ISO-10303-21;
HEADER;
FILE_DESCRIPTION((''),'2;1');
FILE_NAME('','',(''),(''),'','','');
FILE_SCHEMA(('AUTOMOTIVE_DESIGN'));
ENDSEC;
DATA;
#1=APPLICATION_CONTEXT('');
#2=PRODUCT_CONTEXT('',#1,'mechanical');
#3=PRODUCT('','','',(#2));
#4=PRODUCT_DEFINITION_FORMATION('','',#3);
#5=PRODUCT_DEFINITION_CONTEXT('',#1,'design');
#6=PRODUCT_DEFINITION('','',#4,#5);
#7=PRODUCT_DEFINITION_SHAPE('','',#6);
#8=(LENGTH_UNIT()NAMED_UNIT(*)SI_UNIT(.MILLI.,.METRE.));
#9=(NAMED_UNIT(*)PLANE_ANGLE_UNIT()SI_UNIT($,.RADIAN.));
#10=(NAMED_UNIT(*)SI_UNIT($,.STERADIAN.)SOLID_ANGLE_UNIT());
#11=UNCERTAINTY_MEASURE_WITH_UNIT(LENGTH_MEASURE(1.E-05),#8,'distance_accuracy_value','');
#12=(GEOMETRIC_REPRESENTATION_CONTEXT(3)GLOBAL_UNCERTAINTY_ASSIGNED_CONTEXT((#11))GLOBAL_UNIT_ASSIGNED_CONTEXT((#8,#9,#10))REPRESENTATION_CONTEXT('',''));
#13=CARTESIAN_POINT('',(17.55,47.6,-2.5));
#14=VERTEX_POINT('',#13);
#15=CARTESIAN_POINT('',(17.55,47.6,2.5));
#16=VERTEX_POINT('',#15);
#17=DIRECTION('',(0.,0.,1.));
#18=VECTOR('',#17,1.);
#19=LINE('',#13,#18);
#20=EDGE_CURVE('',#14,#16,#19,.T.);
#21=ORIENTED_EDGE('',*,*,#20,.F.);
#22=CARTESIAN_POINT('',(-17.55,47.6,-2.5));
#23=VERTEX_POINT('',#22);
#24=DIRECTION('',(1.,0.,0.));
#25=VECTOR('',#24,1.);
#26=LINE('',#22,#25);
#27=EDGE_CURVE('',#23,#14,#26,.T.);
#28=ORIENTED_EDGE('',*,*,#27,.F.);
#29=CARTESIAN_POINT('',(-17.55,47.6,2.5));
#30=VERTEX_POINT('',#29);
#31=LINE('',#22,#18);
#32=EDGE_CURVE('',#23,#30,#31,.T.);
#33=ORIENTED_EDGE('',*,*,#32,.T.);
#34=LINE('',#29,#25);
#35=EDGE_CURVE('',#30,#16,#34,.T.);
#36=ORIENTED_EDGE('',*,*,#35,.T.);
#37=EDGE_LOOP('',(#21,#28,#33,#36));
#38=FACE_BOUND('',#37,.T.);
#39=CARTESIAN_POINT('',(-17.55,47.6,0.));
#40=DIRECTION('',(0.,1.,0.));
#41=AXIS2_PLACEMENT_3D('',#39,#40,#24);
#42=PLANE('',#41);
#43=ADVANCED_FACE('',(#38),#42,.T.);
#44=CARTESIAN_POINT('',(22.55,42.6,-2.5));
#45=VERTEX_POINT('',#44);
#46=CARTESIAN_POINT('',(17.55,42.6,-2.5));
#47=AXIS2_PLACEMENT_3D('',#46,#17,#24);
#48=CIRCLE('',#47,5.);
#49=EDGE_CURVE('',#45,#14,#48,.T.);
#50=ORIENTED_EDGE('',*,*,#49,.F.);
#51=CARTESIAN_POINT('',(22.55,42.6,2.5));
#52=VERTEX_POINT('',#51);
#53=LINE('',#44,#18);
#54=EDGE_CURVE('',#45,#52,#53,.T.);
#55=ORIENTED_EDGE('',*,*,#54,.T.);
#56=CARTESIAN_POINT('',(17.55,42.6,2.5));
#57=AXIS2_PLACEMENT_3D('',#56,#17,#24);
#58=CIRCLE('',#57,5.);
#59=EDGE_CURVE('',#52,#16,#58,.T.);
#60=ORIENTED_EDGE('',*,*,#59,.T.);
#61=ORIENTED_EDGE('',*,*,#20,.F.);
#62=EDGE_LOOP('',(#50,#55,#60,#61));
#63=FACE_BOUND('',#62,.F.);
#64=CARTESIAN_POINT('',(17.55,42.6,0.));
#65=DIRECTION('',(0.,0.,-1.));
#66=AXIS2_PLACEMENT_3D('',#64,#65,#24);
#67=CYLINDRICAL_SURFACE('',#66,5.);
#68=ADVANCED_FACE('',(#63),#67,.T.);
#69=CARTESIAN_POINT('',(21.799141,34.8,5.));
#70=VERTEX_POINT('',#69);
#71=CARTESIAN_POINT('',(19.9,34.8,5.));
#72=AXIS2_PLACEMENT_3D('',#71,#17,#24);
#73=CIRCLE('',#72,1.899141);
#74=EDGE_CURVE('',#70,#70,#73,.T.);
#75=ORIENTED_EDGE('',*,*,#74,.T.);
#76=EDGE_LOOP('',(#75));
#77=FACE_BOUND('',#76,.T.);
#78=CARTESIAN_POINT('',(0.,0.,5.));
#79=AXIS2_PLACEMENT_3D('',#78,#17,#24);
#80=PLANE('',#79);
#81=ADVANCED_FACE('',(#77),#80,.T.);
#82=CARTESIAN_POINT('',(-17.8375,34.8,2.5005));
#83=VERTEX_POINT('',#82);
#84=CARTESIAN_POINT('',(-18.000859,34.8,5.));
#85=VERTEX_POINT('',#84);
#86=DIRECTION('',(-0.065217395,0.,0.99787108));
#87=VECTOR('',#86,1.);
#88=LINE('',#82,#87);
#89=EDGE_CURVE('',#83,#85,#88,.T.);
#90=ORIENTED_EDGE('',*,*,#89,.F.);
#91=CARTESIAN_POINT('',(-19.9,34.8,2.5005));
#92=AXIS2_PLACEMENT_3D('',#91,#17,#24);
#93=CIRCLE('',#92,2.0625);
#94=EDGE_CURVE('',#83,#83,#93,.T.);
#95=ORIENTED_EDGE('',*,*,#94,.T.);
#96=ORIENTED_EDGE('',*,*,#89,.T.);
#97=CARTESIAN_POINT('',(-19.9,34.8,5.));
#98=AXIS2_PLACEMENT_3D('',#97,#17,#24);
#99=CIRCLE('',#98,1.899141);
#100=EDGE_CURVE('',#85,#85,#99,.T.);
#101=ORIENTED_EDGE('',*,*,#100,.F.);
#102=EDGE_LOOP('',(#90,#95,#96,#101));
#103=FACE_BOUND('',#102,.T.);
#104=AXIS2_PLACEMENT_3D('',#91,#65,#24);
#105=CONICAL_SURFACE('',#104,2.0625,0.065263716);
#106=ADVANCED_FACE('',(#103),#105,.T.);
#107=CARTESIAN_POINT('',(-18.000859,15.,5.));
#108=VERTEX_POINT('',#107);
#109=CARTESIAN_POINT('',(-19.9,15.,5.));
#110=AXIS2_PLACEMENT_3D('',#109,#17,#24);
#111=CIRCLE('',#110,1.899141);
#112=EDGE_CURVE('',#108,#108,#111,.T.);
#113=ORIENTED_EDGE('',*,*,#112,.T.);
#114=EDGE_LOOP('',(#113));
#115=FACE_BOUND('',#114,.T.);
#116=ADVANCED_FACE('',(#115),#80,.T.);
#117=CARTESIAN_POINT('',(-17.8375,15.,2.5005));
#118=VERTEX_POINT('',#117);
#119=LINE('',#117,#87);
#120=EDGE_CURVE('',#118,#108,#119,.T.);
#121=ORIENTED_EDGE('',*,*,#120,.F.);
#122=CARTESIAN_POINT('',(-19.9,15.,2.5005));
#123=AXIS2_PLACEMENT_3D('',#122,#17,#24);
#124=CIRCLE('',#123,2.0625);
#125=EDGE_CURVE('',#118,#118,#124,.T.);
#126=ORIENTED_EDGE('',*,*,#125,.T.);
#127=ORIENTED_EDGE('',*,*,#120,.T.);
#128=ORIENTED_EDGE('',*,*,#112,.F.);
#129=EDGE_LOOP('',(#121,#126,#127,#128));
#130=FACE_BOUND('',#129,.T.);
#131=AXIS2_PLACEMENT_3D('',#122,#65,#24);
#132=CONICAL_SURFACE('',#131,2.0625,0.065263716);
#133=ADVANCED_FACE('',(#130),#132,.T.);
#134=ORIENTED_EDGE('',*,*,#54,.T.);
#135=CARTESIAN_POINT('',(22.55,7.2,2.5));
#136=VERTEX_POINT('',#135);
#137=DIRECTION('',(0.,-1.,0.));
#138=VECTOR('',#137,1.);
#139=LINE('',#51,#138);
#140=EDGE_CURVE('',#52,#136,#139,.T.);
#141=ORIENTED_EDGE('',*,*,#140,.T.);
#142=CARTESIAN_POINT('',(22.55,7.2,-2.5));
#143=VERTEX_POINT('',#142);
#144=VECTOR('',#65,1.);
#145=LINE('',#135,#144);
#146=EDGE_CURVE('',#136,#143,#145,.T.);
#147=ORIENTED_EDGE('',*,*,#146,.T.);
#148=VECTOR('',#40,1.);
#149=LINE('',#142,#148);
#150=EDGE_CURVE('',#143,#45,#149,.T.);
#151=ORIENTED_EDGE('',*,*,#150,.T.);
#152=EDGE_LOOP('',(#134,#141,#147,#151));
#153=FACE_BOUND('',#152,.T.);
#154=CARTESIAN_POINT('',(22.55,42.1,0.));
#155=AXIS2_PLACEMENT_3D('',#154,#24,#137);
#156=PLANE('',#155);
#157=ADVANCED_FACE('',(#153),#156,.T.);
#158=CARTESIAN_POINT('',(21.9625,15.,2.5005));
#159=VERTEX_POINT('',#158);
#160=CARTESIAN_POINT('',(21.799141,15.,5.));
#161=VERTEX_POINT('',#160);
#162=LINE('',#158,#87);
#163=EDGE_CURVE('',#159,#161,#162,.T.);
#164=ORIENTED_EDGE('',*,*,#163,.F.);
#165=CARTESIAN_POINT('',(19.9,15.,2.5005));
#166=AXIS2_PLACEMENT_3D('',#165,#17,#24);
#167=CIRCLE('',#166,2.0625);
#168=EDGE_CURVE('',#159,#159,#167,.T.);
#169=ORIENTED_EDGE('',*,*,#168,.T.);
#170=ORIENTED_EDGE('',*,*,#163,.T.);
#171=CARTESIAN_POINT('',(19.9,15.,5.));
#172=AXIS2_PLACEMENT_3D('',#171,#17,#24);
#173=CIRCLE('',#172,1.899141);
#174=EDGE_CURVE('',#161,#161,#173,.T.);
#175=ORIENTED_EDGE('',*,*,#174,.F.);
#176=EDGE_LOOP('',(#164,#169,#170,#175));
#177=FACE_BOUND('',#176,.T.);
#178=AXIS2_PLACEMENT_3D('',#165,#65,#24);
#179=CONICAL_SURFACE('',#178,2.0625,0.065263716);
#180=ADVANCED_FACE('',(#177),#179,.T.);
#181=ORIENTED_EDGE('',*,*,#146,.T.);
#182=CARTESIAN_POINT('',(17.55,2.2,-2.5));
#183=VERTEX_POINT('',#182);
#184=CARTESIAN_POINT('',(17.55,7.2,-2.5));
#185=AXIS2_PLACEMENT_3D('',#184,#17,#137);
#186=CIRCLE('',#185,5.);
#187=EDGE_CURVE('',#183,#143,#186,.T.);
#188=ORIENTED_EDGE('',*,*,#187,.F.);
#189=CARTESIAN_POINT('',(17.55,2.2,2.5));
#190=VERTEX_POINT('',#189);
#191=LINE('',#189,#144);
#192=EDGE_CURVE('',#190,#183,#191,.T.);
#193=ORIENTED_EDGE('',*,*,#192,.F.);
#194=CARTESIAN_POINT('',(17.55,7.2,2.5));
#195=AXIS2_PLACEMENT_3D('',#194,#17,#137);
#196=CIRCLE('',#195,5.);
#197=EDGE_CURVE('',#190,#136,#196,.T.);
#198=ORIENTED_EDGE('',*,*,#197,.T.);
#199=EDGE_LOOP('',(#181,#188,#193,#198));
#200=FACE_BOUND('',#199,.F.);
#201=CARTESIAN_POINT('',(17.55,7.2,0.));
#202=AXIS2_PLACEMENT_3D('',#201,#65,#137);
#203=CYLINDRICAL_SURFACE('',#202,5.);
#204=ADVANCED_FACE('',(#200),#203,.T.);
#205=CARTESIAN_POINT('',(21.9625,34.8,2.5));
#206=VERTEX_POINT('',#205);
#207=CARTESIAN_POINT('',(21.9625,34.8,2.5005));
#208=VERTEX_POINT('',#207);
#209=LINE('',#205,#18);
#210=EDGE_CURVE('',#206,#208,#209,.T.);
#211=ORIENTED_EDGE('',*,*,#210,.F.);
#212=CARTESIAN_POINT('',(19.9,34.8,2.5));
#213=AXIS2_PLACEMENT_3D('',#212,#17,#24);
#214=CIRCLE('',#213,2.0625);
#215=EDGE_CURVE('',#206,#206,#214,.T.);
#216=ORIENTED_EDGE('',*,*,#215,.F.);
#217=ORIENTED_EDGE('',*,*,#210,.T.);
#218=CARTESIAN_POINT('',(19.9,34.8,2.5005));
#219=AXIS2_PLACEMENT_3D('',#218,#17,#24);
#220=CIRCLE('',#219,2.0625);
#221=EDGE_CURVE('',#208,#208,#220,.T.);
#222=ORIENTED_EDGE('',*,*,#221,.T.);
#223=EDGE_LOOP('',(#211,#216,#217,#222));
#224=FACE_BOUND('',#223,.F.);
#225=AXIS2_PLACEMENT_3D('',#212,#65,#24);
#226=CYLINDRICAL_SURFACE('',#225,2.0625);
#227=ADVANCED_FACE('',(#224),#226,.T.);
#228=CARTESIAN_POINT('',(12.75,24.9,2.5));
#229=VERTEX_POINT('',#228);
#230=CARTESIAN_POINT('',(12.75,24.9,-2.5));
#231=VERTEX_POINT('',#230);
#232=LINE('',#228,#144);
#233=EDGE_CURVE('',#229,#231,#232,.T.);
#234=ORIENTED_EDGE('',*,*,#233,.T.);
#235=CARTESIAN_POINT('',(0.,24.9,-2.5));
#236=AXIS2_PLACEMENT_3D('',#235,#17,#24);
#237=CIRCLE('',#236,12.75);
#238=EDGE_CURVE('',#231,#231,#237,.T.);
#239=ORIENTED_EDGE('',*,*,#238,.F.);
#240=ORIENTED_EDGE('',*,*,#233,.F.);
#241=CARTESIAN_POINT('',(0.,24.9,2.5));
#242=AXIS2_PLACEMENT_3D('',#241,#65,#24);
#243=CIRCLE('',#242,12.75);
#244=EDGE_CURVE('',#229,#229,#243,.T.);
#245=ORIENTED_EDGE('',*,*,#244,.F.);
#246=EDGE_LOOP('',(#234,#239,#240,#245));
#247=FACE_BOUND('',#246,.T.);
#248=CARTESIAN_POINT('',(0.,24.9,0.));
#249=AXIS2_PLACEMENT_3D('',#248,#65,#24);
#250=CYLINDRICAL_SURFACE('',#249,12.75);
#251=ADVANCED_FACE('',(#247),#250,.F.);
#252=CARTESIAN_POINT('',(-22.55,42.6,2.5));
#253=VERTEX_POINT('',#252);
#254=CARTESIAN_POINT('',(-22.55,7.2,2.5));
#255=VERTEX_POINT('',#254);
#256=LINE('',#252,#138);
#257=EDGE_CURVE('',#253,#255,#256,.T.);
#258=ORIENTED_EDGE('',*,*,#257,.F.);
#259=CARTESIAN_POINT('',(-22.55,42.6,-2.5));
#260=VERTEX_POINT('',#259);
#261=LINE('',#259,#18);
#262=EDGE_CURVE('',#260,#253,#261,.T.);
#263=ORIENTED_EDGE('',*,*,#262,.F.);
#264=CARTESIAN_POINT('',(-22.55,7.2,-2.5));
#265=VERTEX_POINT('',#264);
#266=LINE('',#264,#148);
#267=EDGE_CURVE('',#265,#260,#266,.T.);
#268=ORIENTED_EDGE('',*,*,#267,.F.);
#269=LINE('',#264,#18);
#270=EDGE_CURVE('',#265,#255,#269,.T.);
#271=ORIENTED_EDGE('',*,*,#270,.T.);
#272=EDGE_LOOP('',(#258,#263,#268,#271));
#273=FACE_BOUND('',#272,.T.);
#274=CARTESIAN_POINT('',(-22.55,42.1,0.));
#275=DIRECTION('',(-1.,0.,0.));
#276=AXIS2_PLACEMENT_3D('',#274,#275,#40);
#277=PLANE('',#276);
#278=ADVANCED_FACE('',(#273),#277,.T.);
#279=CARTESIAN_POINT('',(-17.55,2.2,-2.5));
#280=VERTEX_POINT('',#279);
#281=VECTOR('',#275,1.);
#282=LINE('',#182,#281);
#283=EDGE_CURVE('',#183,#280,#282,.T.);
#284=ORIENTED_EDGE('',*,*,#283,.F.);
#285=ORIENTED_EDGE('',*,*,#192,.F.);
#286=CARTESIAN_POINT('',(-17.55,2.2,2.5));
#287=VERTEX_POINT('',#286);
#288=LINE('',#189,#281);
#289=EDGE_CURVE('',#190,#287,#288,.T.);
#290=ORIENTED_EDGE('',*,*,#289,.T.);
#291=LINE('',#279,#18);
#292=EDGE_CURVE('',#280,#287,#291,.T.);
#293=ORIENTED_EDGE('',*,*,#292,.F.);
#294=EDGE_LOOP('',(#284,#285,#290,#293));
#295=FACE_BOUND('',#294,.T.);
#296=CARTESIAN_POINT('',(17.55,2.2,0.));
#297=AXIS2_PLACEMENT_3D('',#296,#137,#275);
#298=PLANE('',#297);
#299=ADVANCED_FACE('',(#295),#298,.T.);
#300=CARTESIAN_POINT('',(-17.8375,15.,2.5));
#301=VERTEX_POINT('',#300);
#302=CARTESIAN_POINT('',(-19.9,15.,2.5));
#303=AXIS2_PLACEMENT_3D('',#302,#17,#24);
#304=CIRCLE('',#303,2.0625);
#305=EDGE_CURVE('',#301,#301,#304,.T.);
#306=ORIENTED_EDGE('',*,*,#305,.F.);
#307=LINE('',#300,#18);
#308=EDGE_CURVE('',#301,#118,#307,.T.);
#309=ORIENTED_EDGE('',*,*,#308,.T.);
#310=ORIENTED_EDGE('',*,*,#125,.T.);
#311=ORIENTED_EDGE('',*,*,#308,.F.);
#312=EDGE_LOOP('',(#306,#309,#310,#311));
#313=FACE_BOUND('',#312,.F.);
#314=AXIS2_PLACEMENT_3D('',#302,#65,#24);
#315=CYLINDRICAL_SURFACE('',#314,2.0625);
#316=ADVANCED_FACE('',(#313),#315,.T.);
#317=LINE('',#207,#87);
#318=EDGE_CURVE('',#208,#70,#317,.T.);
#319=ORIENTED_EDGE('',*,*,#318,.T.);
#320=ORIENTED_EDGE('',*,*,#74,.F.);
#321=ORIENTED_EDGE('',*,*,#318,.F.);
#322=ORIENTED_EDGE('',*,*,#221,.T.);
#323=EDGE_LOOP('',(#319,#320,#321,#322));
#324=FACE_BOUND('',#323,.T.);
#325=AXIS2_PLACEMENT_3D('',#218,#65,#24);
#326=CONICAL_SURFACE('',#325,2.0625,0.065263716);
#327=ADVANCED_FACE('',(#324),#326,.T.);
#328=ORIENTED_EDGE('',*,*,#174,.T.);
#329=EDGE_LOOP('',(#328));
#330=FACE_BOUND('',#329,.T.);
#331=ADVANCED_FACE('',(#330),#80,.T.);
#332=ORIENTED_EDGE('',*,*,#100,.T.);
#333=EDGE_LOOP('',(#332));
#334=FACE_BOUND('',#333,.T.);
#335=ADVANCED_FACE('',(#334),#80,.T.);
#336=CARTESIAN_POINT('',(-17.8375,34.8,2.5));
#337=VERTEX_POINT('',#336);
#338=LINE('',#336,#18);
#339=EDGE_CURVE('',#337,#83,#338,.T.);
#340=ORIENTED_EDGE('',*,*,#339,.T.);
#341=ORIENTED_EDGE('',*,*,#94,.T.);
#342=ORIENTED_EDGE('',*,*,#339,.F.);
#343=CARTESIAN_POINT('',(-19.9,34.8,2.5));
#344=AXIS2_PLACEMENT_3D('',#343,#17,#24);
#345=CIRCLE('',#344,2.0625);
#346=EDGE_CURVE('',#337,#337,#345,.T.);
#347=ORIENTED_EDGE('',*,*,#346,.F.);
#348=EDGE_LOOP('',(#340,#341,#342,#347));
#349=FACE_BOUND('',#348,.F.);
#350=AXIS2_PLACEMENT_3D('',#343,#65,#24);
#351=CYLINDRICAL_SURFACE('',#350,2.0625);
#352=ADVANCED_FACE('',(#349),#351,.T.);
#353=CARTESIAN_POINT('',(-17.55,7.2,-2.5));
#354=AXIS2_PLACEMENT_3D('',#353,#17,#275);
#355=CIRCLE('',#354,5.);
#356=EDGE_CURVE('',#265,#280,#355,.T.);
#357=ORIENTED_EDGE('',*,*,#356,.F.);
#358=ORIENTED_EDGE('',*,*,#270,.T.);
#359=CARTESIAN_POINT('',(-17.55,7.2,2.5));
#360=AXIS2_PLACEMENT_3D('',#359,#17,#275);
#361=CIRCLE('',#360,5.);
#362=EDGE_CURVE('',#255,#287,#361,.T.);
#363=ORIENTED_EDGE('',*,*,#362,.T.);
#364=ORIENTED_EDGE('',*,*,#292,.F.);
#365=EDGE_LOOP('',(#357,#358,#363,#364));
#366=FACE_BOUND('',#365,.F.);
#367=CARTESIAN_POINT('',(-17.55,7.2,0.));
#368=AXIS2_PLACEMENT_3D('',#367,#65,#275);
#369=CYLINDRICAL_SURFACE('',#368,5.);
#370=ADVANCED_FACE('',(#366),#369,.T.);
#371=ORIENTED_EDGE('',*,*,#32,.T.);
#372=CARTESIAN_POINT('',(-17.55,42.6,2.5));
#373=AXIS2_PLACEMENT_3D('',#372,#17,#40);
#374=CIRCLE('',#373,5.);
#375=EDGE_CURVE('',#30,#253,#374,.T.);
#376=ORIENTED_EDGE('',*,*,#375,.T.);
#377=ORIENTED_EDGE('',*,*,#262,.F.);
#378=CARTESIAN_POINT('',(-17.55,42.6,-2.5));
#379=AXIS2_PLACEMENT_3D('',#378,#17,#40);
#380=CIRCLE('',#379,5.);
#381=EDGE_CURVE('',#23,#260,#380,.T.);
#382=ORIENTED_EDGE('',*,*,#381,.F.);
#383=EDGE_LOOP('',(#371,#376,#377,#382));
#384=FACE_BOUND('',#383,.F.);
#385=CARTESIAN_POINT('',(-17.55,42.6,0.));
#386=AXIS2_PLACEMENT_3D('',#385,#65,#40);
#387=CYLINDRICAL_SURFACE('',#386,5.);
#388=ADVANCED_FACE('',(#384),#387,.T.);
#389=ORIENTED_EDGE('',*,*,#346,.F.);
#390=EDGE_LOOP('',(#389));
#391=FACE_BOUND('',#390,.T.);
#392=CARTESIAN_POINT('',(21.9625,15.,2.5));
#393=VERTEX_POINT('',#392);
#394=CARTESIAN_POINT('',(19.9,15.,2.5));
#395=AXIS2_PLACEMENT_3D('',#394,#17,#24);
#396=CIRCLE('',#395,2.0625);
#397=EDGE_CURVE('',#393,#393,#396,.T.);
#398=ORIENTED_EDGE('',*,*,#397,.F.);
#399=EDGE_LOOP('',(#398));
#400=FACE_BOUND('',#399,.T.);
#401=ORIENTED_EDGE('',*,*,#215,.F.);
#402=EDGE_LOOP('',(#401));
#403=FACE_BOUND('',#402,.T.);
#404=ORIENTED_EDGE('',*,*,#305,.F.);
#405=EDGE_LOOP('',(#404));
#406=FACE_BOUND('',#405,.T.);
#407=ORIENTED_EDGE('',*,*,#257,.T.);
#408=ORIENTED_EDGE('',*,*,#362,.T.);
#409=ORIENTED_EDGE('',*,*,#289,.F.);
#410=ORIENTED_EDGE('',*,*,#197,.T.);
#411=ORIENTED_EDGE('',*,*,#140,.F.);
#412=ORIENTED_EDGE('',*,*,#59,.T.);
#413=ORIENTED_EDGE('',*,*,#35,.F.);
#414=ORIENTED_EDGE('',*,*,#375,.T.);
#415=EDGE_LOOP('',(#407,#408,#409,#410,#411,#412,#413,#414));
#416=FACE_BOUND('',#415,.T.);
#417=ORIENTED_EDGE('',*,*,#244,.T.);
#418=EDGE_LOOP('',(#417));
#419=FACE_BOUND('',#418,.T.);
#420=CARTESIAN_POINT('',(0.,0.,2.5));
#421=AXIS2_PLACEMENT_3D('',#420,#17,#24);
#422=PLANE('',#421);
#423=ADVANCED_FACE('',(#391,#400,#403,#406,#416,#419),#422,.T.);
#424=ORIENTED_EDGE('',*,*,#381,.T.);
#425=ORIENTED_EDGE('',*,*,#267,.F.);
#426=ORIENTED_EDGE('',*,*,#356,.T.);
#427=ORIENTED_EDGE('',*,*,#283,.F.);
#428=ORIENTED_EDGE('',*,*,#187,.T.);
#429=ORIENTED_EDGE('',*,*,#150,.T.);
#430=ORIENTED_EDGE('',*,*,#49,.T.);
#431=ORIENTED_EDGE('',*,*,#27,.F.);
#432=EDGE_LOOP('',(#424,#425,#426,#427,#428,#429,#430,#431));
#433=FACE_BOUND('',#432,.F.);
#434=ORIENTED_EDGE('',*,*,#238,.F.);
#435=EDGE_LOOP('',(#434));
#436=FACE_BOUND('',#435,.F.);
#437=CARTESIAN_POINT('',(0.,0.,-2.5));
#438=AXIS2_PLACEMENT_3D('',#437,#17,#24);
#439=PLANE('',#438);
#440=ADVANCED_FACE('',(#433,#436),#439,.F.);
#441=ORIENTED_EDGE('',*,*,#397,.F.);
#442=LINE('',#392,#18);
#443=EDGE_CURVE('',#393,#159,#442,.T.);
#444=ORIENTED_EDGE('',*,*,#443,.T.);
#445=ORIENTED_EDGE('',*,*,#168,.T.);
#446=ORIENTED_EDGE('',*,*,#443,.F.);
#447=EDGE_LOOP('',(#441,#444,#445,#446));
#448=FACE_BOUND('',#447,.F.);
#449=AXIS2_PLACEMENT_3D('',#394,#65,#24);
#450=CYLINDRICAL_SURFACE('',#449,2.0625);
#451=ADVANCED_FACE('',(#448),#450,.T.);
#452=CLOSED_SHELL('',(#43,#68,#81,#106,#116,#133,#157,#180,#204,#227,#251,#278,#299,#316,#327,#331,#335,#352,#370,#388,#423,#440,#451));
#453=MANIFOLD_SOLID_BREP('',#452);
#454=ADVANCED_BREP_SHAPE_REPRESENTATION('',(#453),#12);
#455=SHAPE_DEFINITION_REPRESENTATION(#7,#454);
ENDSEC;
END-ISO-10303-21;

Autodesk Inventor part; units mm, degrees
ref_plane "YZ Plane" through (0, 0, 0) normal (1, 0, 0) x (0, 1, 0)
ref_plane "XZ Plane" through (0, 0, 0) normal (0, 1, 0) x (-1, 0, 0)
ref_plane "XY Plane" through (0, 0, 0) normal (0, 0, 1) x (1, 0, 0)
sketch "Sketch1" plane through (0, 0, 0) normal (0, 0, 1) x (1, 0, 0)
  line L0 (22.9, 0.025) -> (-22.9, 0.025) projected
  line L1 (22.9, 42.1) -> (22.9, 0.025) projected
  line L2 (22.9, 42.1) -> (17.05, 42.1) projected
  line L3 (17.05, 7.7) -> (17.05, 42.1) projected
  line L4 (-17.05, 7.7) -> (17.05, 7.7) projected
  line L5 (-17.05, 7.7) -> (-17.05, 42.1) projected
  line L6 (-17.05, 42.1) -> (-22.9, 42.1) projected
  line L7 (-22.9, 0.025) -> (-22.9, 42.1) projected
  circle A0 centre (19.9, 34.8) radius 2.0625 projected
  circle A1 centre (-19.9, 34.8) radius 2.0625 projected
  circle A2 centre (19.9, 15) radius 2.0625 projected
  circle A3 centre (-19.9, 15) radius 2.0625 projected
  circle A4 centre (10, 3.85) radius 1.5625 projected
  circle A5 centre (-10, 3.85) radius 1.5625 projected
  line L8 (-17.05, 7.7) -> (17.05, 7.7)
  line L9 (17.05, 7.7) -> (17.05, 42.1)
  line L10 (17.05, 42.1) -> (-17.05, 42.1)
  line L11 (-17.05, 42.1) -> (-17.05, 7.7)
  line L12 (-17.55, 47.6) -> (17.55, 47.6)
  line L13 (22.55, 42.6) -> (22.55, 7.2)
  line L14 (17.55, 2.2) -> (-17.55, 2.2)
  line L15 (-22.55, 7.2) -> (-22.55, 42.6)
  line L16 (-22.55, 24.9) -> (22.55, 24.9)
  circle A6 centre (0, 24.9) radius 12.75
  arc A7 (-17.55, 47.6) -> (-22.55, 42.6) centre (-17.55, 42.6) ccw
  arc A8 (22.55, 42.6) -> (17.55, 47.6) centre (17.55, 42.6) ccw
  arc A9 (17.55, 2.2) -> (22.55, 7.2) centre (17.55, 7.2) ccw
  arc A10 (-22.55, 7.2) -> (-17.55, 2.2) centre (-17.55, 7.2) ccw
  point P0 (0, 0)
  dimension "d0" = 5.5
  dimension "d1" = 25.5
  dimension "d2" = 5
extrude "Extrusion1" add sketch "Sketch1" along normal mid plane 5 contours L13 L16 L3 L2 | L2 L10 L6 L15 A7 L12 A8 L13 | L6 L5 L16 L15 | L3 L16 A6 L5 L10 | L13 A9 L14 A10 L15 L16 L5 L4 L3 | L3 L4 L5 L16 A6 | A0 | A1 | A2 | A3 | A4 | A5
sketch "Sketch2" plane through (0, 0, 2.5) normal (0, 0, 1) x (1, 0, 0)
  line L0 (22.9, 0.025) -> (-22.9, 0.025) projected
  line L1 (22.9, 42.1) -> (22.9, 0.025) projected
  line L2 (22.9, 42.1) -> (17.05, 42.1) projected
  line L3 (17.05, 7.7) -> (17.05, 42.1) projected
  line L4 (-17.05, 7.7) -> (17.05, 7.7) projected
  line L5 (-17.05, 7.7) -> (-17.05, 42.1) projected
  line L6 (-17.05, 42.1) -> (-22.9, 42.1) projected
  line L7 (-22.9, 0.025) -> (-22.9, 42.1) projected
  circle A0 centre (19.9, 34.8) radius 2.0625 projected
  circle A1 centre (-19.9, 34.8) radius 2.0625 projected
  circle A2 centre (19.9, 15) radius 2.0625 projected
  circle A3 centre (-19.9, 15) radius 2.0625 projected
  circle A4 centre (10, 3.85) radius 1.5625 projected
  circle A5 centre (-10, 3.85) radius 1.5625 projected
  point P0 (0, 0)
extrude "Extrusion2" add sketch "Sketch2" along normal blind 2.5 contours A0 | A1 | A2 | A3
chamfer "Chamfer1" distance 2.5 angle 3.75 1 edges at (17.8375, 34.8, 5) measured on face at (21.7975, 35.6084, 4.1667)
chamfer "Chamfer2" distance 2.5 angle 3.75 1 edges at (17.8375, 15, 5) measured on face at (21.9358, 14.6692, 4.1667)
chamfer "Chamfer3" distance 2.5 angle 3.75 1 edges at (-21.9625, 34.8, 5) measured on face at (-18.0025, 35.6084, 4.1667)
chamfer "Chamfer4" distance 2.5 angle 3.75 1 edges at (-21.9625, 15, 5) measured on face at (-17.8642, 14.6692, 4.1667)
properties part number "Filter Mount"
